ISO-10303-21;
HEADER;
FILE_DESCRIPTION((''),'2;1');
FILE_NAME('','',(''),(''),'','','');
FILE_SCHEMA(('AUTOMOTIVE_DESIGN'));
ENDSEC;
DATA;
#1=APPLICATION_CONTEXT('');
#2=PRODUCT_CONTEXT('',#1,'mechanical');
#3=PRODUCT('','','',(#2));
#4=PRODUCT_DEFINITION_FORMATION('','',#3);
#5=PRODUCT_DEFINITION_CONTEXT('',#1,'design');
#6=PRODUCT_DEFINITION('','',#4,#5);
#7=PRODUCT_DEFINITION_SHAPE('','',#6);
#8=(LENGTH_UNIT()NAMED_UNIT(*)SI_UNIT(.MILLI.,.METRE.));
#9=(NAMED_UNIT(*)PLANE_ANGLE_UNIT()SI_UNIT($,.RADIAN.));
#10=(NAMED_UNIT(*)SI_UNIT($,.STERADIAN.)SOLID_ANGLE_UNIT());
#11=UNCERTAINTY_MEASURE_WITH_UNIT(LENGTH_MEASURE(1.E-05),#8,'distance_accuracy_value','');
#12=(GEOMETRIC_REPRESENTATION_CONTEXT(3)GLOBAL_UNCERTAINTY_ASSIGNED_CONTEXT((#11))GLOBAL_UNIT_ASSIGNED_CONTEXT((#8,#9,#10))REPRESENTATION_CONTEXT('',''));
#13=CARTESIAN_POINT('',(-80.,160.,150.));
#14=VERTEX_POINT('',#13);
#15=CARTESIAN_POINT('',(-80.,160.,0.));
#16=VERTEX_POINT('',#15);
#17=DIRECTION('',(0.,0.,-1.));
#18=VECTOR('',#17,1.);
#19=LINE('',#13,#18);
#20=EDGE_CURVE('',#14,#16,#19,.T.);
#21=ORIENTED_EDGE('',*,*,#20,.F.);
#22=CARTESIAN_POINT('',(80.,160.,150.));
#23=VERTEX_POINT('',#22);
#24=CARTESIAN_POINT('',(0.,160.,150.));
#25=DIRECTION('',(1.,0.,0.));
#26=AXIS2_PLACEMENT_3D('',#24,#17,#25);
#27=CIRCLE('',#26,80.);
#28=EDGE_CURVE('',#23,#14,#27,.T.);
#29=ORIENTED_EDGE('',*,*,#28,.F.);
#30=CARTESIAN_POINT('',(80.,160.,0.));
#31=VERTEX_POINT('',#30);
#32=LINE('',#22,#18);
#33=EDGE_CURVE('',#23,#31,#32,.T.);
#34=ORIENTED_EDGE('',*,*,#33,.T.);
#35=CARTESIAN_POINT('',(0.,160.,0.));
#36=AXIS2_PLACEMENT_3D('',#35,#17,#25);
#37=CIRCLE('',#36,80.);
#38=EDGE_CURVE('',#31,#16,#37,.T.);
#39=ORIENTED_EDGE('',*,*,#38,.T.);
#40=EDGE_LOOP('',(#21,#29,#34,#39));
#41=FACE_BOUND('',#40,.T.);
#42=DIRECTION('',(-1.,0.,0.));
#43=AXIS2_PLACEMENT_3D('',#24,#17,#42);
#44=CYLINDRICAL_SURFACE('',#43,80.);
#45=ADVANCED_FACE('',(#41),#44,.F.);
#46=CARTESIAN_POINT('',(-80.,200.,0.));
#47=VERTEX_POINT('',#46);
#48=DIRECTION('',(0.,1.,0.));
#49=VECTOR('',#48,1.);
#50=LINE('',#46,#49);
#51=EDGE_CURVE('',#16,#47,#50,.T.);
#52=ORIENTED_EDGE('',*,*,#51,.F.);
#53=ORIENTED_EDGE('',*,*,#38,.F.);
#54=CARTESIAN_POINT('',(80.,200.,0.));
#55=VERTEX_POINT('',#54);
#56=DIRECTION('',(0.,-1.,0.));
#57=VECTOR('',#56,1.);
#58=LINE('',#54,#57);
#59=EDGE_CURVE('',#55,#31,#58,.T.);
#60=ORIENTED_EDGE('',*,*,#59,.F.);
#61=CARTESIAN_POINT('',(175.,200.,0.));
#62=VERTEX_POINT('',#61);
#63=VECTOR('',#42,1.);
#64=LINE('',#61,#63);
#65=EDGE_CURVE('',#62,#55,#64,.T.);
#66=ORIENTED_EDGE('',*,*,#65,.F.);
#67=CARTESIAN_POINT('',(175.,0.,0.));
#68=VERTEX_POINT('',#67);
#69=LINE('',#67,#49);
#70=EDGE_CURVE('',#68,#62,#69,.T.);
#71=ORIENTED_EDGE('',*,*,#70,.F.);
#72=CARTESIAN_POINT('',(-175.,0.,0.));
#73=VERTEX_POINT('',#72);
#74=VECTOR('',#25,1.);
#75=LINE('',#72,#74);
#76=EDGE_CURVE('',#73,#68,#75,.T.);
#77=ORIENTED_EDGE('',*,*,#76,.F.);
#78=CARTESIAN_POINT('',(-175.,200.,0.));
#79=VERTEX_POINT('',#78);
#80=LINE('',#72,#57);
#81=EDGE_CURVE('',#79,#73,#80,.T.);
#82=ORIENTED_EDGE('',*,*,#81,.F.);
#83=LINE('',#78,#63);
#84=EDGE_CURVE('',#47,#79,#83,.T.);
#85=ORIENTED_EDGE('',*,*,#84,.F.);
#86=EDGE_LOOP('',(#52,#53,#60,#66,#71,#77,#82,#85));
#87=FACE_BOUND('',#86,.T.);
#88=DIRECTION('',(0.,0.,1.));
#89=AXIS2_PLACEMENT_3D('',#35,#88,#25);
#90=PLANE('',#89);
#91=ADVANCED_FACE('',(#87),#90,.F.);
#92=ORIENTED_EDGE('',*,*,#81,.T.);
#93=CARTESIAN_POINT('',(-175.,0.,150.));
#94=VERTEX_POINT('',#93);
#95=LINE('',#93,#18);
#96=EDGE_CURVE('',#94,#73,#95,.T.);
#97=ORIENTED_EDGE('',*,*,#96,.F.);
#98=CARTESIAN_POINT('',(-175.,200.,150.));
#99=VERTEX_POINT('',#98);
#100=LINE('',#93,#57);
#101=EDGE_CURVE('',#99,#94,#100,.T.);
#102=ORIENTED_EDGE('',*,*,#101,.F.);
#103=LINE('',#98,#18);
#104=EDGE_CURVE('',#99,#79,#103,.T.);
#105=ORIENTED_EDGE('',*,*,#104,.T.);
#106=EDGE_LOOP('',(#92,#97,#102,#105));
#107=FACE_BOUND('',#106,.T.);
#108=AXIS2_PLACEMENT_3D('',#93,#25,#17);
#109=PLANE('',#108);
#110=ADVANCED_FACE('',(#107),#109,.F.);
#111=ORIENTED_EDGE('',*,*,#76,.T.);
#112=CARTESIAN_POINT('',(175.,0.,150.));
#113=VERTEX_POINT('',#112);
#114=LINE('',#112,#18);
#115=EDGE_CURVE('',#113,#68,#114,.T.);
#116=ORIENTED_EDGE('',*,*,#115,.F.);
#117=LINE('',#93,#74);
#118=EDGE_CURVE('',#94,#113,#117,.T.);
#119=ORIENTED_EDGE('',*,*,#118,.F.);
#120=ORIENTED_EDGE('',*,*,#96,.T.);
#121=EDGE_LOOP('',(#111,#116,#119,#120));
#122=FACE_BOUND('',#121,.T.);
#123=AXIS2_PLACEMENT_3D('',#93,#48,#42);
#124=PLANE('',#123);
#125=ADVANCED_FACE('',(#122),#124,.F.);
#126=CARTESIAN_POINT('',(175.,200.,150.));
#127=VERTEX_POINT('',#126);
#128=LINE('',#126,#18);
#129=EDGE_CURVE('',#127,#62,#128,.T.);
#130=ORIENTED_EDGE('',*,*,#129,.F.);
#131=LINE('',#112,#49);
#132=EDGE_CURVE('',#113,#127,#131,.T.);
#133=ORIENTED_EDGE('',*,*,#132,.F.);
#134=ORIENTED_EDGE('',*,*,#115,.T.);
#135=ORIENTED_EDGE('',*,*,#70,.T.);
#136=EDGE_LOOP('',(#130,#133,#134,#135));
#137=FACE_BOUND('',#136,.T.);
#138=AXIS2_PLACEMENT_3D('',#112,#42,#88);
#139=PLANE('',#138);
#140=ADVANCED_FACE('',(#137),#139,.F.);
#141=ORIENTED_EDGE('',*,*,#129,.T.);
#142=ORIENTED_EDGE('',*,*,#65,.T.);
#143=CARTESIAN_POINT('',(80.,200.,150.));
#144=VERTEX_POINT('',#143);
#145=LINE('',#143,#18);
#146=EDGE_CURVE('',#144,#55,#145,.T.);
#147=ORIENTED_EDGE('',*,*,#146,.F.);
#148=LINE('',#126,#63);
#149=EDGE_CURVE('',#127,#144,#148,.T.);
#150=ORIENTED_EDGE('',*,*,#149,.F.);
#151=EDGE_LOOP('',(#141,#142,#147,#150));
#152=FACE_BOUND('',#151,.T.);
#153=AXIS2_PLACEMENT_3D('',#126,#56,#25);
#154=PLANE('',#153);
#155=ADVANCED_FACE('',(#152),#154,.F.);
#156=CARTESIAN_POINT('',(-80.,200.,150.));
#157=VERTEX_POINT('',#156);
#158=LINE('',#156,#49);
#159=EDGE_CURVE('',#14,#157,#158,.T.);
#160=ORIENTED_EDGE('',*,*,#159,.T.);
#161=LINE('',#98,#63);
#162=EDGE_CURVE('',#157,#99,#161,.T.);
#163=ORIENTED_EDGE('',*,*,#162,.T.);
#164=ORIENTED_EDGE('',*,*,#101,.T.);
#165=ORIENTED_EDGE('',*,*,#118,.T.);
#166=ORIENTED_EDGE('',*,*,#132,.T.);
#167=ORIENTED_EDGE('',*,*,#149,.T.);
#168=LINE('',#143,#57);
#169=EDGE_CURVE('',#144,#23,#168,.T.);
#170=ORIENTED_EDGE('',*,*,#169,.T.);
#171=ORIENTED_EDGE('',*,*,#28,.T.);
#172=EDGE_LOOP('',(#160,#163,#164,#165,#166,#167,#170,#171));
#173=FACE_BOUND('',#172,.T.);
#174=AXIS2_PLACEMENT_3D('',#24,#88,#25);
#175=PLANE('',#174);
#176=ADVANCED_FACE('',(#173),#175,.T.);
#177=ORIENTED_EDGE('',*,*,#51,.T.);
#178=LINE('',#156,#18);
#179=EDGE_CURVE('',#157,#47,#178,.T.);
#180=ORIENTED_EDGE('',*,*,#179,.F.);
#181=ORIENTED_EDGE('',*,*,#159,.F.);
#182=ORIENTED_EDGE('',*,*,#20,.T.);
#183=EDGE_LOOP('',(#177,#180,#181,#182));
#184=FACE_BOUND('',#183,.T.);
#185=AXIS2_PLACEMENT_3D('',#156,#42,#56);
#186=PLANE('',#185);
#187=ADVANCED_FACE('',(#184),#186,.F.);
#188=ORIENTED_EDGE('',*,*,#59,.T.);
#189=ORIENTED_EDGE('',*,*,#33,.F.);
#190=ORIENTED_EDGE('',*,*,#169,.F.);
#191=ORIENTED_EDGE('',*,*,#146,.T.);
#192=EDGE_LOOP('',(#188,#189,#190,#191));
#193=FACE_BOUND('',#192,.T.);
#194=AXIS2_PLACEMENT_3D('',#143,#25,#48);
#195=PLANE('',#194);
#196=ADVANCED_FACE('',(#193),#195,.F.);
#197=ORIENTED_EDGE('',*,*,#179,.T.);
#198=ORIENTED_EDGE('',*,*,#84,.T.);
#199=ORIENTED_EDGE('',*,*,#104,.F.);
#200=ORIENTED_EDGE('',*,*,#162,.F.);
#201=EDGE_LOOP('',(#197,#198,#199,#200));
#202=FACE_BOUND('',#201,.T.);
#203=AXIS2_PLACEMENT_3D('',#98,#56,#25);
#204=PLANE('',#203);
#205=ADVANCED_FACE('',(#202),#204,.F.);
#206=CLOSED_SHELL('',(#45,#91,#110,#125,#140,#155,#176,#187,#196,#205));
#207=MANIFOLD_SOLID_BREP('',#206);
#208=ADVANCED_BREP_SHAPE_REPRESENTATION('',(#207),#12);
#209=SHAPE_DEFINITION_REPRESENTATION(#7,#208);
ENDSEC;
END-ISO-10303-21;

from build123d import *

# Parameters (mm, degrees)
BOSS_EXTRUDE1_DEPTH = 150


with BuildPart() as part:
    # Sketch3 → Boss-Extrude1 (new body)
    with BuildSketch(Plane.XY):
        with BuildLine():
            Line((-175, 0), (175, 0))
            Line((175, 0), (175, 200))
            Line((175, 200), (80, 200))
            Line((80, 200), (80, 160))
            ThreePointArc((80, 160), (0, 80), (-80, 160))
            Line((-80, 160), (-80, 200))
            Line((-80, 200), (-175, 200))
            Line((-175, 200), (-175, 0))
        make_face()
    extrude(amount=BOSS_EXTRUDE1_DEPTH)


solid = part.part
